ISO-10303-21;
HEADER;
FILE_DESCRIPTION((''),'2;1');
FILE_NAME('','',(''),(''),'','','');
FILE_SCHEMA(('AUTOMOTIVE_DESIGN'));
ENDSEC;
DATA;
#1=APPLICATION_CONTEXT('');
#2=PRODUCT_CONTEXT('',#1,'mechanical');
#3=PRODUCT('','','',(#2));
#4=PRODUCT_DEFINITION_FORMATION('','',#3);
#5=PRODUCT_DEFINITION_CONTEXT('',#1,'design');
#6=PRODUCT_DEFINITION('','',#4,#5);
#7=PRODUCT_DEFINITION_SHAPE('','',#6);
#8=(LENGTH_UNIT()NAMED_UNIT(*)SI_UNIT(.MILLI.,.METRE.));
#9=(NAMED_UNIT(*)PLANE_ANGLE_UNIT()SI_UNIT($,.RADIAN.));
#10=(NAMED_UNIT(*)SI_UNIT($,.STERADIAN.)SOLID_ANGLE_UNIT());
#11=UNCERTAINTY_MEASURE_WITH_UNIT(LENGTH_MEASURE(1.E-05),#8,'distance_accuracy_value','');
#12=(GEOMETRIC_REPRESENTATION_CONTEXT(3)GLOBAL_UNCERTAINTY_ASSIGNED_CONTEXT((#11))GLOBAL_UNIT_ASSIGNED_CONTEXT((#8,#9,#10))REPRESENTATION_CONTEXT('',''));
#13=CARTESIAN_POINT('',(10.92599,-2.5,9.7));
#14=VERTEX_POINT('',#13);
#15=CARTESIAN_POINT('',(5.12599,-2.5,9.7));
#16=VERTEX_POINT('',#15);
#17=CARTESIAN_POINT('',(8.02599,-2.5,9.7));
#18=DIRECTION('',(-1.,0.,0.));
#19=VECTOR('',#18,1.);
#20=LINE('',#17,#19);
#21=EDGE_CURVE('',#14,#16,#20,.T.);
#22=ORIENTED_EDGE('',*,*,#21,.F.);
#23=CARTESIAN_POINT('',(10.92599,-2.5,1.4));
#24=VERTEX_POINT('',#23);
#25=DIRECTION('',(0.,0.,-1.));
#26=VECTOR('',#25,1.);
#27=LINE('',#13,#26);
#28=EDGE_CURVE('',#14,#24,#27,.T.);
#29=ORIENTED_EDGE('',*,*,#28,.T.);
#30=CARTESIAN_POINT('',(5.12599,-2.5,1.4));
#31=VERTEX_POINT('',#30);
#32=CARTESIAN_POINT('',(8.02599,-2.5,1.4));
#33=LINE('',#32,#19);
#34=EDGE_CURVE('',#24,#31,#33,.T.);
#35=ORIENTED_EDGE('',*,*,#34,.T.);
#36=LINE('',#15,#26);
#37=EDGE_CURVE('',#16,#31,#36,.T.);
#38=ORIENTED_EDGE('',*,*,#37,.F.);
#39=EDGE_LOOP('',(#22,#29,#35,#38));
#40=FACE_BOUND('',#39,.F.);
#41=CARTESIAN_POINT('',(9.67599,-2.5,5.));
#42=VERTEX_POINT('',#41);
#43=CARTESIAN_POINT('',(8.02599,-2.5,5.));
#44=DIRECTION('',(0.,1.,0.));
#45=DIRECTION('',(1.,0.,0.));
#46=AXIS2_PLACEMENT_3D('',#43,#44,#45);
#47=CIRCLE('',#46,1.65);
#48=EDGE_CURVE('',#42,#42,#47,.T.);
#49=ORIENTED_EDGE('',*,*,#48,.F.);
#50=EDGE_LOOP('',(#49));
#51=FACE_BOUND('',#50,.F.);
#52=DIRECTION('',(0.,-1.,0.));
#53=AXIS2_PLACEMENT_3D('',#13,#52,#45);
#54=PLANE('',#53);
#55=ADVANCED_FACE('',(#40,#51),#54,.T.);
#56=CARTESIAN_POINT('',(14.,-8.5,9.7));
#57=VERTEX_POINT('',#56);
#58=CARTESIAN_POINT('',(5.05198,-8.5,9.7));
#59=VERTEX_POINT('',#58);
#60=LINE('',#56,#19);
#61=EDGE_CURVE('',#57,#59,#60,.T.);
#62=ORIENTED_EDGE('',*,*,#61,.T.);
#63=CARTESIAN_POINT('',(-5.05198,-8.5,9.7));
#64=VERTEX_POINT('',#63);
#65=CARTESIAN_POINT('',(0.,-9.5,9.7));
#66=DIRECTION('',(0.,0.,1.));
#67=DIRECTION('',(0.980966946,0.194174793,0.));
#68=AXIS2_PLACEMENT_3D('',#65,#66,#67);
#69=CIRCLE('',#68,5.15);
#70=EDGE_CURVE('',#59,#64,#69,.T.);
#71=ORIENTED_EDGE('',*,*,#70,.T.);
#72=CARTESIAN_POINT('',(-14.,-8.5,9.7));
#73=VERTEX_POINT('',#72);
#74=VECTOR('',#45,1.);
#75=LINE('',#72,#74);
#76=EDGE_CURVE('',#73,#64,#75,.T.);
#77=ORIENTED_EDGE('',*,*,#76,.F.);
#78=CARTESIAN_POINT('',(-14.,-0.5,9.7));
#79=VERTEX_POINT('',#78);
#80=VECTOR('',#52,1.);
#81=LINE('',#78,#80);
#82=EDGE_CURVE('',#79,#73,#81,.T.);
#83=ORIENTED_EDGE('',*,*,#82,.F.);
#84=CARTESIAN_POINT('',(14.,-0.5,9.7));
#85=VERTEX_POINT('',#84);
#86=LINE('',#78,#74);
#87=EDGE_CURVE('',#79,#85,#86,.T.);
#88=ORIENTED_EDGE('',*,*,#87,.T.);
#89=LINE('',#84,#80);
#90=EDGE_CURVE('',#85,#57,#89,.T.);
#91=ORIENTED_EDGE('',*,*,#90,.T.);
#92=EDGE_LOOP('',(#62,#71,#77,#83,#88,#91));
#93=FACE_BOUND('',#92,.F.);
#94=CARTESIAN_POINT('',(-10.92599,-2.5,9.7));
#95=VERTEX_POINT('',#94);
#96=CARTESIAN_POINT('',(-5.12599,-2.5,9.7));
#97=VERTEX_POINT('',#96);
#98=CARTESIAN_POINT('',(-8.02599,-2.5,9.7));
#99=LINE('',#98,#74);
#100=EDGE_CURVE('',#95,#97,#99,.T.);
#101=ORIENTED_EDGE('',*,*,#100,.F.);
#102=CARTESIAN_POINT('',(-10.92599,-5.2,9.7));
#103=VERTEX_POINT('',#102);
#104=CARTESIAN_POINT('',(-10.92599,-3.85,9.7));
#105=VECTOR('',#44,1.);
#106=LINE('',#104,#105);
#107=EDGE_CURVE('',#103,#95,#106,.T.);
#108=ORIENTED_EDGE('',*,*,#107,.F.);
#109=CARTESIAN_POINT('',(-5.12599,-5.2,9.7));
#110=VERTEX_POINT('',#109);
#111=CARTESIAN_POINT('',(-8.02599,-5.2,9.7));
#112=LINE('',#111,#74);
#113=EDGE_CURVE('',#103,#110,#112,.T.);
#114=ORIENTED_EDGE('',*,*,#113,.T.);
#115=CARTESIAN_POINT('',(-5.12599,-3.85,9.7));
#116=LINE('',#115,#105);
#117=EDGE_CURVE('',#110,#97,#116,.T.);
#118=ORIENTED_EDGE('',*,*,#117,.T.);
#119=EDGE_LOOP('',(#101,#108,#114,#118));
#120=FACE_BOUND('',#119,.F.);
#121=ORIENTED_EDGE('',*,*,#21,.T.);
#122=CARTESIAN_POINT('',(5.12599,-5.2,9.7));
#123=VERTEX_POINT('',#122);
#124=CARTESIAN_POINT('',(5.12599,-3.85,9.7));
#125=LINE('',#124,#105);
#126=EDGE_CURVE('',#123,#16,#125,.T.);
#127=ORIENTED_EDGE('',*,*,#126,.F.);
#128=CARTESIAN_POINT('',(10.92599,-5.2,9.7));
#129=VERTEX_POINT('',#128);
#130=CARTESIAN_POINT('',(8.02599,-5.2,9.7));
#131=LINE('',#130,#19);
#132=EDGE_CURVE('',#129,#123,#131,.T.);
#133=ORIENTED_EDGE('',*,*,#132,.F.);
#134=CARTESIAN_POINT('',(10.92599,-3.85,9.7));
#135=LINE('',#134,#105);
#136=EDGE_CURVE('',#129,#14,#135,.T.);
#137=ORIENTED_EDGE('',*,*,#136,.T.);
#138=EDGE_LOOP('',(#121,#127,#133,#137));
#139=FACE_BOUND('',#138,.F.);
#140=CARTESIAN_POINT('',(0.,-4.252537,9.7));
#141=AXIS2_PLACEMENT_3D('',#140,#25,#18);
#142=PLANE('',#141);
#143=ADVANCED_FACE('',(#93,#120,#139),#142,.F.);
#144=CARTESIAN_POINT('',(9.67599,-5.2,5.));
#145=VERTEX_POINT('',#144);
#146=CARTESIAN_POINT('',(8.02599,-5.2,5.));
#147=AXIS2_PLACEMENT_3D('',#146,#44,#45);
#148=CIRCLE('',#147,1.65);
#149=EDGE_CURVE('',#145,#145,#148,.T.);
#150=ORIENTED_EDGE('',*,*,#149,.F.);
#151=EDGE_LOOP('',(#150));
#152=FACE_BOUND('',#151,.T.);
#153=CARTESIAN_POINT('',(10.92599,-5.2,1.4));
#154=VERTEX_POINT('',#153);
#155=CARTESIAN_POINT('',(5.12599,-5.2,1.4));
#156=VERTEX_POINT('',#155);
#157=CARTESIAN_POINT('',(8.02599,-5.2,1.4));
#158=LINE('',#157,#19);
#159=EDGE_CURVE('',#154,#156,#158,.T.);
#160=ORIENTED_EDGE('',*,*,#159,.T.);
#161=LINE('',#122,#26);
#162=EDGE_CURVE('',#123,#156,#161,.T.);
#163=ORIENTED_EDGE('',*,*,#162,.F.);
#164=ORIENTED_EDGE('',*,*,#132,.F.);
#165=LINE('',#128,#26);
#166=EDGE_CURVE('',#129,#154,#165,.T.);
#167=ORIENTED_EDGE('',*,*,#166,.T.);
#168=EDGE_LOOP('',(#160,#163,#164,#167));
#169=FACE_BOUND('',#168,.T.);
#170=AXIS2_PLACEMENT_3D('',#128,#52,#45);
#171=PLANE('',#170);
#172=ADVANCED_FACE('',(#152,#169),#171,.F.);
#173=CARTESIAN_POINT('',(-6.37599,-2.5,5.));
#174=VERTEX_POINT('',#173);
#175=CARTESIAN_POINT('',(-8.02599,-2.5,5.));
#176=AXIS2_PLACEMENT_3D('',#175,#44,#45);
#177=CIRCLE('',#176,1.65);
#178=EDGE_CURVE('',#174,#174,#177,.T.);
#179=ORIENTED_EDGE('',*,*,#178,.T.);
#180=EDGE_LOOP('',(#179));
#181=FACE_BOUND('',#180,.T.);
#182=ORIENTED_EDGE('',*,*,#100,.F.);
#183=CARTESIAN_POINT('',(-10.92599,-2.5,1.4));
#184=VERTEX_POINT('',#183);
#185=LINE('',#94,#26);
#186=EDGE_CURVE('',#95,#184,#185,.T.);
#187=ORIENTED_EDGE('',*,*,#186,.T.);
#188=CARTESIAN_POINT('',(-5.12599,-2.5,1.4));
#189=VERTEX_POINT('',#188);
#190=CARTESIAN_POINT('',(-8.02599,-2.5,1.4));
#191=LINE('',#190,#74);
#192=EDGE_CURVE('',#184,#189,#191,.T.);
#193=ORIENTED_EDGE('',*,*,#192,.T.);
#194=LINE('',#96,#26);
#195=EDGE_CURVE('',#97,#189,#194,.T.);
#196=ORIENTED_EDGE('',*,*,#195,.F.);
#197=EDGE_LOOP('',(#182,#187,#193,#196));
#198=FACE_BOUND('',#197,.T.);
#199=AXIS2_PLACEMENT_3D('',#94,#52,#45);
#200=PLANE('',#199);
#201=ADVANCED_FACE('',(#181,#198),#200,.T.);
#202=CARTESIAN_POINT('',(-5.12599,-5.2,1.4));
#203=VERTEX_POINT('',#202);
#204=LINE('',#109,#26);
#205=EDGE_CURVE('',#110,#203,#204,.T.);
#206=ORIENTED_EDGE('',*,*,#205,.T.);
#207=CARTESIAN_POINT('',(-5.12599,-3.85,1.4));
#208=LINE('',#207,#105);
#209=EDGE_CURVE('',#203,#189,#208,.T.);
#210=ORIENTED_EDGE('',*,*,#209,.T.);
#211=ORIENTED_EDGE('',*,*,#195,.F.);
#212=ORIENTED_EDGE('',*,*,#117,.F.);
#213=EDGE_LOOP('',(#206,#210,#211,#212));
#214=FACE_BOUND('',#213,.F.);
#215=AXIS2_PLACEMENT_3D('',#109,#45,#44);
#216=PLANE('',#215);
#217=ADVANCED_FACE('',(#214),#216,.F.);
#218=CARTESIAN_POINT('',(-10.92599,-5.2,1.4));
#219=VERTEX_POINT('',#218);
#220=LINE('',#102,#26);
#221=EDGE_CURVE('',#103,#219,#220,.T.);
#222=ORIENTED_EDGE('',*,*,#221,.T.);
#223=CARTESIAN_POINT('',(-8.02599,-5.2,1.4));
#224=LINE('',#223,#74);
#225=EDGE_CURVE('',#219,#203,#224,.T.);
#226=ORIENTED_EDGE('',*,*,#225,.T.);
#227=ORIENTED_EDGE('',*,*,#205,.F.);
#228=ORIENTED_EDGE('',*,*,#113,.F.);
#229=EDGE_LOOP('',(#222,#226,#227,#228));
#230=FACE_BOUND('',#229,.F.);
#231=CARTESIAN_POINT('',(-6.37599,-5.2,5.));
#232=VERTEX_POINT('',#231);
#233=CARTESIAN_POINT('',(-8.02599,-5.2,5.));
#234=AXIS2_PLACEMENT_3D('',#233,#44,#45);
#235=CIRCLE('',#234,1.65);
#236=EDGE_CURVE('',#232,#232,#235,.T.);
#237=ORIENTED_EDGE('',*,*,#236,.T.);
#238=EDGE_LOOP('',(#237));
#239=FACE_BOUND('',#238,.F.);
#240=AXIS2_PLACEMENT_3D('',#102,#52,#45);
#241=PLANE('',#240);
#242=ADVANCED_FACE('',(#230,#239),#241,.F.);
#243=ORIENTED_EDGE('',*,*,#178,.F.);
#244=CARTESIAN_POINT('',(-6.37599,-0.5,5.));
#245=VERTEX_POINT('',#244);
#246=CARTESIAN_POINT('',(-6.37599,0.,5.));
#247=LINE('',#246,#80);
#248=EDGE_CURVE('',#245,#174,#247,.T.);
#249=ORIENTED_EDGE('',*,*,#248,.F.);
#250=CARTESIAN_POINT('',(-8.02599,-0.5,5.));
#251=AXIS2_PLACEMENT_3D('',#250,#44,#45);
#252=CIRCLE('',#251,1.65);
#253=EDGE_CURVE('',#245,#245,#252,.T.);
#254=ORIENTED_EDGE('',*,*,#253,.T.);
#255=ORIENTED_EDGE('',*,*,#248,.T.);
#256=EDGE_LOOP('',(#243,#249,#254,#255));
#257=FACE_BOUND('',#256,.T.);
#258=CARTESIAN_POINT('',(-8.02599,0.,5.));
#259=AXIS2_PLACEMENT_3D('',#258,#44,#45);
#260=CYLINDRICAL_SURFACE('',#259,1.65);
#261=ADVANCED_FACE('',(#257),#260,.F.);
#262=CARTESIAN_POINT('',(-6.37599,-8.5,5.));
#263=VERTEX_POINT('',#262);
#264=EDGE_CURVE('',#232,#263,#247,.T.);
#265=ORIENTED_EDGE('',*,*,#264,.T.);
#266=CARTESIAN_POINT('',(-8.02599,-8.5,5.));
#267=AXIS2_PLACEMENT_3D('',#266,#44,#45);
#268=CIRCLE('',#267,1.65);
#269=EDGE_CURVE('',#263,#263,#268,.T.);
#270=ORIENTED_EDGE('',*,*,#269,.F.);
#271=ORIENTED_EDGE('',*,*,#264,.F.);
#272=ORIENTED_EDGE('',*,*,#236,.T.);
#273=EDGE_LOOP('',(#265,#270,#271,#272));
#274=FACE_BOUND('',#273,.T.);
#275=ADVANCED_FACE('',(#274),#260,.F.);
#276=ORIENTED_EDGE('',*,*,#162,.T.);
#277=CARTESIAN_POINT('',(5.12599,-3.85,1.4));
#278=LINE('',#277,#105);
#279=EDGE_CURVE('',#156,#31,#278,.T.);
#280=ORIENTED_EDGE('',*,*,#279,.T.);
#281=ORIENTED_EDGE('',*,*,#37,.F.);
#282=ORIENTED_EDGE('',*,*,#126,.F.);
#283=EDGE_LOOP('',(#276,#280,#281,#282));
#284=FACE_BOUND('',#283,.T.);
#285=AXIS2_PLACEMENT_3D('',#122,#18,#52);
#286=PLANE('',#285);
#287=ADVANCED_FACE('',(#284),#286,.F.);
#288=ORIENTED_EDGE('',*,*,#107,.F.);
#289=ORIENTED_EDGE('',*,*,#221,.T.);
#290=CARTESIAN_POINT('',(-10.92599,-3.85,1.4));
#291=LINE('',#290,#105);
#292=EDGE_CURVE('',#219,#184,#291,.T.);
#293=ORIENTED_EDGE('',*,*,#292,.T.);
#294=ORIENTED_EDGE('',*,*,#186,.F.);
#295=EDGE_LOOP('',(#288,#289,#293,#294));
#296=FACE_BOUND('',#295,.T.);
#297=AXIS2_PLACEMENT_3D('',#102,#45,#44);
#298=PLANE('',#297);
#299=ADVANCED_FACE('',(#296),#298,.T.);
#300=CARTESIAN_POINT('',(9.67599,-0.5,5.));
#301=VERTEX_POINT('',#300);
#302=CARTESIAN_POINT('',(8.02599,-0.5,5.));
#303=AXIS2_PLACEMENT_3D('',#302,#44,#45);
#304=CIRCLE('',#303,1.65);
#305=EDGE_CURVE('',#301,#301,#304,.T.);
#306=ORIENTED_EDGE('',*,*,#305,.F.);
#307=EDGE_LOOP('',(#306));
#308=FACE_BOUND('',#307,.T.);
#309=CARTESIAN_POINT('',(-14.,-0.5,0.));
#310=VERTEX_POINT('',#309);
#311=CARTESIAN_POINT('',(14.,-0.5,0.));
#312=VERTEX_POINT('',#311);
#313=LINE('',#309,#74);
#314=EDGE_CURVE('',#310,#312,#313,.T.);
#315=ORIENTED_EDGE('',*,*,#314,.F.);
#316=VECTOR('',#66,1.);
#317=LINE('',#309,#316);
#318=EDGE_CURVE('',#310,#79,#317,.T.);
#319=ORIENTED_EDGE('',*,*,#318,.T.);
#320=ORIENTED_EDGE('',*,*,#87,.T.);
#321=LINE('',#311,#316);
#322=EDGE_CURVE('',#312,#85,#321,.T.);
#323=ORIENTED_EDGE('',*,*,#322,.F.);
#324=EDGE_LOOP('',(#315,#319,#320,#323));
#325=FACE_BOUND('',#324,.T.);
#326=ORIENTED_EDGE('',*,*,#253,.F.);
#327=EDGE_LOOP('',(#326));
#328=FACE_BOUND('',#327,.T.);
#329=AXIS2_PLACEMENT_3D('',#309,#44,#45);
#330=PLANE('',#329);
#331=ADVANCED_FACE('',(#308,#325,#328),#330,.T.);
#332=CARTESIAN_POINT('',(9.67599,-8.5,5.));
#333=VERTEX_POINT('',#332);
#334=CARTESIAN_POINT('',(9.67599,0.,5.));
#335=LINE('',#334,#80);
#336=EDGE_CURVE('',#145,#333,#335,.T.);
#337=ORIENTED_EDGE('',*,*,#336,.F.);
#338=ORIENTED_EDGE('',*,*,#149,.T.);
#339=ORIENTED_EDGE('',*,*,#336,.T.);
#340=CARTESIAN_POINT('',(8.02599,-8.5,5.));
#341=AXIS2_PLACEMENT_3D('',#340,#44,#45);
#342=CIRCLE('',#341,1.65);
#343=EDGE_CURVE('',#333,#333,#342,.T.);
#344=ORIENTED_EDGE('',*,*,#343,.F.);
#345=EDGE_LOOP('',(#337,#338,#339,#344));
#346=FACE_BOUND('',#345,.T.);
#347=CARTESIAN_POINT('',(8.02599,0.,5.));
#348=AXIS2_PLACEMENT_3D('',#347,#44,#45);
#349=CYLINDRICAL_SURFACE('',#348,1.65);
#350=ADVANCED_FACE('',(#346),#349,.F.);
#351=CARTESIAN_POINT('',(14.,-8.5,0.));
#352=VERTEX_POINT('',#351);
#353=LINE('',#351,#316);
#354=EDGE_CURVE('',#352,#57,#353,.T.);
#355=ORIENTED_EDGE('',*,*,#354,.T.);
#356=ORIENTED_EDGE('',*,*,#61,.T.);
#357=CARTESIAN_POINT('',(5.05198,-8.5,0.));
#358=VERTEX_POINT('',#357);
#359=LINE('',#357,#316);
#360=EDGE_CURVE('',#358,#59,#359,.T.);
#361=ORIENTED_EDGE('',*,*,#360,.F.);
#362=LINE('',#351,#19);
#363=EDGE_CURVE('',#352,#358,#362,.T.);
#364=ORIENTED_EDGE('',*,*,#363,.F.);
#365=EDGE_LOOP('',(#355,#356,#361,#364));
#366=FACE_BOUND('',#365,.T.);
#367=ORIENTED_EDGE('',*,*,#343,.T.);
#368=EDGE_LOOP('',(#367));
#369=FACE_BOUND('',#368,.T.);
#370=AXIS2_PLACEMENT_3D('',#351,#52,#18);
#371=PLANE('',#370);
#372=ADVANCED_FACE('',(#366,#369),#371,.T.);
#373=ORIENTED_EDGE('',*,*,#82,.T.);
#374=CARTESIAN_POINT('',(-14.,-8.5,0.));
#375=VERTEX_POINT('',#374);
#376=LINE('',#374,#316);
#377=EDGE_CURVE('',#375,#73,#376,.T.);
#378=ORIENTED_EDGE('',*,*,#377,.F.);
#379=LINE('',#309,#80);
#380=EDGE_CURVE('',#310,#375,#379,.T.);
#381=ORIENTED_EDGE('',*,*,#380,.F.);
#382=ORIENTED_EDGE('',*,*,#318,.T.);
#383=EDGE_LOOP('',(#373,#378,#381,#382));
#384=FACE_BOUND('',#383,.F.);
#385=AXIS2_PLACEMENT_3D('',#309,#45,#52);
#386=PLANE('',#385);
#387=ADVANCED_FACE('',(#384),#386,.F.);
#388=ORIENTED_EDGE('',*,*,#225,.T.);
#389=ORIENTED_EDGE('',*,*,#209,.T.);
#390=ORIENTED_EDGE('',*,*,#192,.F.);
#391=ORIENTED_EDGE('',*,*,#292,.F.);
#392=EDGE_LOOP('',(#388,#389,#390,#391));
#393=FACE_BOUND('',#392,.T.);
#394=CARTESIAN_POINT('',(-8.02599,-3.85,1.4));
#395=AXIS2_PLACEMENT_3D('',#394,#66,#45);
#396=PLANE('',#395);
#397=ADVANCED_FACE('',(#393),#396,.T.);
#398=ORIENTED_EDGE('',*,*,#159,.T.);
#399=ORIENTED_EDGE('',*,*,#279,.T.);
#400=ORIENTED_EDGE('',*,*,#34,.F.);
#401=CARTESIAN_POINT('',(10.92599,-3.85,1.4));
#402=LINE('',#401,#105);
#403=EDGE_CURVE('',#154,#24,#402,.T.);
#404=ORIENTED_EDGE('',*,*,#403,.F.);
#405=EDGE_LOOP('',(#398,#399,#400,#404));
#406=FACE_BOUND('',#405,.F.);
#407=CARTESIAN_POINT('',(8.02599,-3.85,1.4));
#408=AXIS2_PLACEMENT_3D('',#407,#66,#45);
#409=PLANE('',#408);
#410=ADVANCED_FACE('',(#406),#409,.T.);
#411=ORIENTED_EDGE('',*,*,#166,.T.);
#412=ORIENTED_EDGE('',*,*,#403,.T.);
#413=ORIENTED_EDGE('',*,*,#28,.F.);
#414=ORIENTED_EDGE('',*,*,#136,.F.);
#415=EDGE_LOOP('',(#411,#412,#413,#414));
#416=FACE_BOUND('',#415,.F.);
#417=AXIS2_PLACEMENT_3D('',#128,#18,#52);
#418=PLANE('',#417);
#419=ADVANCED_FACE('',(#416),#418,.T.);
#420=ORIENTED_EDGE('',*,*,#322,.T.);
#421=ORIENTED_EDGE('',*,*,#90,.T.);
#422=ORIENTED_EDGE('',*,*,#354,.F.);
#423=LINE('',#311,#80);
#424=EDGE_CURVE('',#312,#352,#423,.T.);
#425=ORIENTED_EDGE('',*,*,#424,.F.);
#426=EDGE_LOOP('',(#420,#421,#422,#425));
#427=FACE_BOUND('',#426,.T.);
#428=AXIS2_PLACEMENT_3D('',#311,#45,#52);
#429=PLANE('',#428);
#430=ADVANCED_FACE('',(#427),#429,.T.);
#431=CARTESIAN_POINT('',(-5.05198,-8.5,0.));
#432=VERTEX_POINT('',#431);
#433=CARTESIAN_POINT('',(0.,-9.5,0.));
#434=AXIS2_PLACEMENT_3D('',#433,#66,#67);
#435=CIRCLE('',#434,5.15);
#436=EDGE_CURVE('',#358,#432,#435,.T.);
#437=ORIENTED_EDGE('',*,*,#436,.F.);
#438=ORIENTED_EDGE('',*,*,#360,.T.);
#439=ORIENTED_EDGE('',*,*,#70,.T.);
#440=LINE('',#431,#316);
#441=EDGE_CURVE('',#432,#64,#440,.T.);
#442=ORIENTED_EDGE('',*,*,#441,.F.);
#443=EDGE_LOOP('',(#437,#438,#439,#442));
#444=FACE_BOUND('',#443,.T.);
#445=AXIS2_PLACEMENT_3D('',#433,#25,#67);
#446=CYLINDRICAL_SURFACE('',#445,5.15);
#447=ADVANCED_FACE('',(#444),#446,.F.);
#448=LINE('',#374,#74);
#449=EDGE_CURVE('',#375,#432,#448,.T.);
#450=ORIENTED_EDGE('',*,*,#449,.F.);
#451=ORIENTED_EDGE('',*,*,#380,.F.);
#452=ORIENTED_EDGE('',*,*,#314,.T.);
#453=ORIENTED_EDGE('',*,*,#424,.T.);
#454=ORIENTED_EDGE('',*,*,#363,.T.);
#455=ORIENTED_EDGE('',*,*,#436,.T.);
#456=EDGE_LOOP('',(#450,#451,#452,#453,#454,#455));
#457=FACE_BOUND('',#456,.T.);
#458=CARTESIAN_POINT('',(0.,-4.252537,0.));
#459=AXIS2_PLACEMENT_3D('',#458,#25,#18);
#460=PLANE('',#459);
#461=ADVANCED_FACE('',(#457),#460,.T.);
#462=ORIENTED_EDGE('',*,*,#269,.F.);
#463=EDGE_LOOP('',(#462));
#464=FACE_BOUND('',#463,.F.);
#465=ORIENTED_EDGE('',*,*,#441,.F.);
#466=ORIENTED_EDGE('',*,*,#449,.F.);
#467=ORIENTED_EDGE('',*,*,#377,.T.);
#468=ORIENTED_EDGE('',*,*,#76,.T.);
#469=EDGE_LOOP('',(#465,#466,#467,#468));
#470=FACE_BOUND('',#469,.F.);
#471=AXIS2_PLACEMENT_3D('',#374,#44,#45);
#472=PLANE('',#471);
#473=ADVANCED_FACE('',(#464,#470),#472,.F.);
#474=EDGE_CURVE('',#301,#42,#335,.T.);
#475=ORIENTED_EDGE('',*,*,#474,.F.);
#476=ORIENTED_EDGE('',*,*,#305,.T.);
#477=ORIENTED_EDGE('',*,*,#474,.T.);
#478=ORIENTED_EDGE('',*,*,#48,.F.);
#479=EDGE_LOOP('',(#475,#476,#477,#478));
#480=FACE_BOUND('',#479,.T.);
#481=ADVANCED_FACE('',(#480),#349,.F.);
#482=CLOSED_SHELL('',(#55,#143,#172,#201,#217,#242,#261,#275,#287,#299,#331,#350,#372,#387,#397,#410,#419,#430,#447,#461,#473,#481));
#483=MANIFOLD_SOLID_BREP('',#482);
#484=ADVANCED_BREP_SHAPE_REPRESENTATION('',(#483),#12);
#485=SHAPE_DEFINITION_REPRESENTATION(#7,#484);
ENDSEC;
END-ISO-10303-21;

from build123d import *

# Parameters (mm, degrees)
PAD016_DEPTH         = 9.7
SKETCH041_R          = 1.65
POCKET014_DEPTH      = 0.001
POCKET014_DEPTH_BACK = 8.501
SKETCH042_W          = 5.8
SKETCH042_H          = 2.7
POCKET015_DEPTH      = 8.3


with BuildPart() as part:
    # Sketch040 → Pad016 (new body)
    with BuildSketch(Plane.XY):
        with BuildLine():
            ThreePointArc((5.05198, -8.5), (0, -4.35), (-5.05198, -8.5))
            Line((-14, -8.5), (-5.05198, -8.5))
            Line((-14, -0.5), (-14, -8.5))
            Line((-14, -0.5), (14, -0.5))
            Line((14, -0.5), (14, -8.5))
            Line((14, -8.5), (5.05198, -8.5))
        make_face()
    extrude(amount=PAD016_DEPTH)

    # Sketch041 → Pocket014 (cut, two sides)
    with BuildSketch(Plane.XZ) as pocket014_sk:
        with Locations((-8.02599, 5)):
            Circle(SKETCH041_R)
        with Locations((8.02599, 5)):
            Circle(SKETCH041_R)
    extrude(amount=-POCKET014_DEPTH, mode=Mode.SUBTRACT)
    extrude(pocket014_sk.sketch, amount=POCKET014_DEPTH_BACK, mode=Mode.SUBTRACT)

    # Sketch042 (on Face4 of Pocket014) → Pocket015 (cut)
    with BuildSketch(Plane.XY.offset(9.7)):
        with Locations((-8.02599, -3.85)):
            Rectangle(SKETCH042_W, SKETCH042_H)
    pocket015 = extrude(amount=-POCKET015_DEPTH, mode=Mode.SUBTRACT)

    # Mirrored001: Pocket015 across Sketch042 V_Axis
    add(pocket015.mirror(Plane(origin=(0, 0, 9.7), x_dir=(0, 0, 1), z_dir=(1, 0, 0))), mode=Mode.SUBTRACT)


solid = part.part
